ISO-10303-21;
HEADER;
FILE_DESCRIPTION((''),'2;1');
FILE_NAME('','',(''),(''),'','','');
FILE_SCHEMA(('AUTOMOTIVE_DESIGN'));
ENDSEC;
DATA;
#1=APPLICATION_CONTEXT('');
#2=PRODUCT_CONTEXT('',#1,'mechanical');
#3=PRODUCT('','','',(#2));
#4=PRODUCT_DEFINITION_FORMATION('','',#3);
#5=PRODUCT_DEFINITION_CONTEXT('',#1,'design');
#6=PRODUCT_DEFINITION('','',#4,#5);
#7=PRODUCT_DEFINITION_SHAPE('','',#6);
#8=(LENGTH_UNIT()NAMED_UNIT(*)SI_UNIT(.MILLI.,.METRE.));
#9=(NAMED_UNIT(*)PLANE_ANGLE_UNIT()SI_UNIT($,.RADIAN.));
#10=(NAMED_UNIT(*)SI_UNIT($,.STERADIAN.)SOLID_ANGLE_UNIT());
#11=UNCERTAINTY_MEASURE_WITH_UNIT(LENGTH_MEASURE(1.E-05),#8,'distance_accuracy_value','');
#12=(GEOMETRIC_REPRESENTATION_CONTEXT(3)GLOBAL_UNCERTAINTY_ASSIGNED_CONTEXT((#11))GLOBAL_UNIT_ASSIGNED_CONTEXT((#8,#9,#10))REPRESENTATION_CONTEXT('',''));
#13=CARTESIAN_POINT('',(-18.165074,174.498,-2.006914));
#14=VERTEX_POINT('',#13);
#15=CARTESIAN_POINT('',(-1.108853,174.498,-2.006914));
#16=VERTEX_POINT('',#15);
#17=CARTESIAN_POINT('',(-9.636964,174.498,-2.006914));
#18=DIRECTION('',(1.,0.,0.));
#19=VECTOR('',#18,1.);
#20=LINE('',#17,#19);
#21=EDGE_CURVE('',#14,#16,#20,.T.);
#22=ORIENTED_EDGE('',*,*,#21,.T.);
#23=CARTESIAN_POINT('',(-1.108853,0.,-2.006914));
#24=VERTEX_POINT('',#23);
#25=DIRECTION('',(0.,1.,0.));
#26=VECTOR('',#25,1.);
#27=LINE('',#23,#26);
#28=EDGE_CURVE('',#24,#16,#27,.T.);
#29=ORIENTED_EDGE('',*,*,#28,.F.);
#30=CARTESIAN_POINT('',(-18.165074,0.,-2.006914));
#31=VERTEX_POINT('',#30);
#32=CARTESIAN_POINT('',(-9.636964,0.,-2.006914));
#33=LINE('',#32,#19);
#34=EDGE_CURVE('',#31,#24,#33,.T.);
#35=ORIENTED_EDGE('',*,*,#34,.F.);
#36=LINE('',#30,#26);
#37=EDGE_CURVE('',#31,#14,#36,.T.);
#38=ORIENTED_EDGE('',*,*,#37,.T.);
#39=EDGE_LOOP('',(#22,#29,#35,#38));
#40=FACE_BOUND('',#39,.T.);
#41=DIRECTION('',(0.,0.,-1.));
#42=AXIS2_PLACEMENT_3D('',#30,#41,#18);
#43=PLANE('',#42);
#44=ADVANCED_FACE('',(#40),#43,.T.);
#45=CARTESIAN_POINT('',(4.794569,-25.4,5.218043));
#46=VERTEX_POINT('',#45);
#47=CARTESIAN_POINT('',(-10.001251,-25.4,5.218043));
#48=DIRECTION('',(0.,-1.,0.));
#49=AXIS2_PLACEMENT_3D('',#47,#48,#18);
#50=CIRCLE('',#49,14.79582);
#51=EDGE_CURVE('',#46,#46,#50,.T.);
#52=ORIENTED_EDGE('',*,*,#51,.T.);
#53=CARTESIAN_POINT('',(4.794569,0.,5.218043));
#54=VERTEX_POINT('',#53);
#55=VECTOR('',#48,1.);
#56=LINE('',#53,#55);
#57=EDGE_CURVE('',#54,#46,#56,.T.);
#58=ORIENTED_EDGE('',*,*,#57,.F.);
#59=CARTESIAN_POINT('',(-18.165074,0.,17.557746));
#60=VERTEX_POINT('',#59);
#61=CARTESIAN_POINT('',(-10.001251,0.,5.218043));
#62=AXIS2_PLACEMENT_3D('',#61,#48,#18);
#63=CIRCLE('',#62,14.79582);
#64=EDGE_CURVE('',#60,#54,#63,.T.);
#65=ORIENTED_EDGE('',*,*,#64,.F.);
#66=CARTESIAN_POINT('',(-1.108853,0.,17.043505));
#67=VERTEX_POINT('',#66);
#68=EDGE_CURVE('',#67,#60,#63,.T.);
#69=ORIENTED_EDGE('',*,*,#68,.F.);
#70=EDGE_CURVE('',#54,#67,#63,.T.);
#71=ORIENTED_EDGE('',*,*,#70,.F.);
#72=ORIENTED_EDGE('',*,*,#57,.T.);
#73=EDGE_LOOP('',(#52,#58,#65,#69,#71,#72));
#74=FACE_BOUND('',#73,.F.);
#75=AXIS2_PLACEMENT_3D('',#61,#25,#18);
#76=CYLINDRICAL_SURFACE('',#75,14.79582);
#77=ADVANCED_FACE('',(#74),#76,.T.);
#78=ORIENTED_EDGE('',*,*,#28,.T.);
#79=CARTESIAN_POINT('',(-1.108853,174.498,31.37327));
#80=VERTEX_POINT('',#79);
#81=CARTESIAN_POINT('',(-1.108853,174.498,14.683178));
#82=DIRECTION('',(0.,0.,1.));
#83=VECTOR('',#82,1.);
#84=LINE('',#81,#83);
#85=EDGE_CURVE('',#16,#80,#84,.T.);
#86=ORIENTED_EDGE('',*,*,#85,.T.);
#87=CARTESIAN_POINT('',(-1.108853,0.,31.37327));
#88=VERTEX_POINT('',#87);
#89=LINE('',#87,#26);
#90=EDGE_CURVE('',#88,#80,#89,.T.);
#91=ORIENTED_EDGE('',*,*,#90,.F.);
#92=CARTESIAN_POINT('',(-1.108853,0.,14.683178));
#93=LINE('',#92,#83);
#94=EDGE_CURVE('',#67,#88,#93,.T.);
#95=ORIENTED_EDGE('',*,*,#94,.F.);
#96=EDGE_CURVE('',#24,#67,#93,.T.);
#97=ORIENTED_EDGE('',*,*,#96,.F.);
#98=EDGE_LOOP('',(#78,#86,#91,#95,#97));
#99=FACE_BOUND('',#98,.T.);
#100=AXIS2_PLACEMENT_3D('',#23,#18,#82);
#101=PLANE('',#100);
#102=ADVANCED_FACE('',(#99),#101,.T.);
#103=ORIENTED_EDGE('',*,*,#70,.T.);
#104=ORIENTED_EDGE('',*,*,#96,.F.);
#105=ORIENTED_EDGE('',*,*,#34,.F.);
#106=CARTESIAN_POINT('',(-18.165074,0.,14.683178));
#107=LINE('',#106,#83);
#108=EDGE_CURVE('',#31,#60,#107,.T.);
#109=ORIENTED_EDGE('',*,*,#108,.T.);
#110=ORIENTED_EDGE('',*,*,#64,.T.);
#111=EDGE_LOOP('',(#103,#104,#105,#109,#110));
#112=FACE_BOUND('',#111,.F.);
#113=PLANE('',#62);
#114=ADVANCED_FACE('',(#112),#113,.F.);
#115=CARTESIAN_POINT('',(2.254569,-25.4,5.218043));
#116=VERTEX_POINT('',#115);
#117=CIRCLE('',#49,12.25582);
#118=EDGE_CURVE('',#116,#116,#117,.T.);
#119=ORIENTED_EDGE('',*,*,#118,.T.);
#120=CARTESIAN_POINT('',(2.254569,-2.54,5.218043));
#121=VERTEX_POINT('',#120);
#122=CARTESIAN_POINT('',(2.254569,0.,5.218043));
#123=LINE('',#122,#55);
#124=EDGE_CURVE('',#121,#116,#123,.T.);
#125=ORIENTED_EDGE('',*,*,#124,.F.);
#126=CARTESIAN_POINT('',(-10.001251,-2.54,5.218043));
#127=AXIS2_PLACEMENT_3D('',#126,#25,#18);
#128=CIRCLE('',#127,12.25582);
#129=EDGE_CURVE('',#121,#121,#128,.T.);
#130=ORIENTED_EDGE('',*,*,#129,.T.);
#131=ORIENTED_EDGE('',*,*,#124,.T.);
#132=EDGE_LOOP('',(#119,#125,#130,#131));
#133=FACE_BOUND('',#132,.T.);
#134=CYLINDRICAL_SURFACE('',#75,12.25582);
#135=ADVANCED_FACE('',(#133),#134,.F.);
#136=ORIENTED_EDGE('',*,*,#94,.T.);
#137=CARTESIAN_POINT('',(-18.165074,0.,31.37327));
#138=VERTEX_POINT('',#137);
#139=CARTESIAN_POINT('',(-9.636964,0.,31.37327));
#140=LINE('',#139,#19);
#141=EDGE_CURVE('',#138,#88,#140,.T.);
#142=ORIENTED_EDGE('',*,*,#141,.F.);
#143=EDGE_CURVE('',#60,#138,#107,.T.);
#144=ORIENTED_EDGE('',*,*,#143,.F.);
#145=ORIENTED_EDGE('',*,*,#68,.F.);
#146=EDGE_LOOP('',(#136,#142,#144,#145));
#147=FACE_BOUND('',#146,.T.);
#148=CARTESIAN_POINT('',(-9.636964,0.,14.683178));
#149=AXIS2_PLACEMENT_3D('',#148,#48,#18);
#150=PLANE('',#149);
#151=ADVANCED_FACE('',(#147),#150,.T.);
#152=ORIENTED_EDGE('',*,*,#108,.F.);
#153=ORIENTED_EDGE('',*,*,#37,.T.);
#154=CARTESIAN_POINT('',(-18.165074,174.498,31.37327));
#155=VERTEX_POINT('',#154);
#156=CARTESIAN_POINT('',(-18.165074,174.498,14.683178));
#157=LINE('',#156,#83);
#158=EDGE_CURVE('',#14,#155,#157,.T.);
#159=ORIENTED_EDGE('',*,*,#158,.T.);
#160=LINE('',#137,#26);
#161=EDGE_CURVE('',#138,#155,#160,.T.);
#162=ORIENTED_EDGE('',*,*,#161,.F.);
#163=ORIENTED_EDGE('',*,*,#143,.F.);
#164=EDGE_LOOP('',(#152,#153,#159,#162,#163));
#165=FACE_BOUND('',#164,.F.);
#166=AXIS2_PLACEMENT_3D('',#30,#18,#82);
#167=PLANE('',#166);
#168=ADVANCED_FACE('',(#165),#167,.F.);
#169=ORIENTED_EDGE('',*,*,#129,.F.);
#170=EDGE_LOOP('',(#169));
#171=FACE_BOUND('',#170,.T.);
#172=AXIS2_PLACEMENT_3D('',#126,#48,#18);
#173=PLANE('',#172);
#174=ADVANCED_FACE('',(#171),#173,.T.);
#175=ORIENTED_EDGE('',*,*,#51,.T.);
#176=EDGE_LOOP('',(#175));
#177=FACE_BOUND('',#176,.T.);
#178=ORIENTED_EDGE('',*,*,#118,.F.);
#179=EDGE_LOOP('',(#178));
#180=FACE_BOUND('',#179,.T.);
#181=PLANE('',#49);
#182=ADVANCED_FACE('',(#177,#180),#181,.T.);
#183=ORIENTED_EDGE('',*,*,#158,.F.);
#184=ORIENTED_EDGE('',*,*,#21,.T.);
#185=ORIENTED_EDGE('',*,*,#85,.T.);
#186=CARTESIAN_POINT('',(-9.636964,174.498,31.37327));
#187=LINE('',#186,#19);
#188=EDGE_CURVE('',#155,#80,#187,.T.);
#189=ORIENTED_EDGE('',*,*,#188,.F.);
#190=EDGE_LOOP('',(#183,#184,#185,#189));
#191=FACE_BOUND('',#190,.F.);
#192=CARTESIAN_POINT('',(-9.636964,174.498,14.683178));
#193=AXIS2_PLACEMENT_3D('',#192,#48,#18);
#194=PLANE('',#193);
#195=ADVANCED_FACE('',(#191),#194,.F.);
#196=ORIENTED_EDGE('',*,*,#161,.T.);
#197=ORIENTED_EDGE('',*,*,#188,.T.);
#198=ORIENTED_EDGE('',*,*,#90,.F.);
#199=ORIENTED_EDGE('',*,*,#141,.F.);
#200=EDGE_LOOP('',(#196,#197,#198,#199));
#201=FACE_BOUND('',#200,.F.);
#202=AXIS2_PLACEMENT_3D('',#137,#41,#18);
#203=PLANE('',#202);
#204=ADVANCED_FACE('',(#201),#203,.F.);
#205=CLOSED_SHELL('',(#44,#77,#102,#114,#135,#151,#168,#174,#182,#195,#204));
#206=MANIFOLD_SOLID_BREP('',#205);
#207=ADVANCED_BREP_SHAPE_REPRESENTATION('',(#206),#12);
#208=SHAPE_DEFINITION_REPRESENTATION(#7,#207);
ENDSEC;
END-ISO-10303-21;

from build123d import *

# Parameters (mm, degrees)
F0_R     = 14.79582
F1_DEPTH = 25.4
F2_T     = -2.54
F3_W     = 17.056221
F3_H     = 33.380184
F4_DEPTH = 174.498


with BuildPart() as f1:
    # F0 (on Front) → F1 (new body)
    with BuildSketch(Plane.XZ):
        with Locations((-10.001251, 5.218043)):
            Circle(F0_R)
    extrude(amount=F1_DEPTH)

    # F2
    f2_openings = [f1.faces().sort_by_distance(p)[0] for p in [
        (-10.001251, -25.4, 5.218043),
    ]]
    offset(amount=F2_T, openings=f2_openings)

    # F3 (on Front) → F4 (join)
    with BuildSketch(Plane.XZ):
        with Locations((-9.636964, 14.683178)):
            Rectangle(F3_W, F3_H)
    extrude(amount=-F4_DEPTH)


solid = f1.part
